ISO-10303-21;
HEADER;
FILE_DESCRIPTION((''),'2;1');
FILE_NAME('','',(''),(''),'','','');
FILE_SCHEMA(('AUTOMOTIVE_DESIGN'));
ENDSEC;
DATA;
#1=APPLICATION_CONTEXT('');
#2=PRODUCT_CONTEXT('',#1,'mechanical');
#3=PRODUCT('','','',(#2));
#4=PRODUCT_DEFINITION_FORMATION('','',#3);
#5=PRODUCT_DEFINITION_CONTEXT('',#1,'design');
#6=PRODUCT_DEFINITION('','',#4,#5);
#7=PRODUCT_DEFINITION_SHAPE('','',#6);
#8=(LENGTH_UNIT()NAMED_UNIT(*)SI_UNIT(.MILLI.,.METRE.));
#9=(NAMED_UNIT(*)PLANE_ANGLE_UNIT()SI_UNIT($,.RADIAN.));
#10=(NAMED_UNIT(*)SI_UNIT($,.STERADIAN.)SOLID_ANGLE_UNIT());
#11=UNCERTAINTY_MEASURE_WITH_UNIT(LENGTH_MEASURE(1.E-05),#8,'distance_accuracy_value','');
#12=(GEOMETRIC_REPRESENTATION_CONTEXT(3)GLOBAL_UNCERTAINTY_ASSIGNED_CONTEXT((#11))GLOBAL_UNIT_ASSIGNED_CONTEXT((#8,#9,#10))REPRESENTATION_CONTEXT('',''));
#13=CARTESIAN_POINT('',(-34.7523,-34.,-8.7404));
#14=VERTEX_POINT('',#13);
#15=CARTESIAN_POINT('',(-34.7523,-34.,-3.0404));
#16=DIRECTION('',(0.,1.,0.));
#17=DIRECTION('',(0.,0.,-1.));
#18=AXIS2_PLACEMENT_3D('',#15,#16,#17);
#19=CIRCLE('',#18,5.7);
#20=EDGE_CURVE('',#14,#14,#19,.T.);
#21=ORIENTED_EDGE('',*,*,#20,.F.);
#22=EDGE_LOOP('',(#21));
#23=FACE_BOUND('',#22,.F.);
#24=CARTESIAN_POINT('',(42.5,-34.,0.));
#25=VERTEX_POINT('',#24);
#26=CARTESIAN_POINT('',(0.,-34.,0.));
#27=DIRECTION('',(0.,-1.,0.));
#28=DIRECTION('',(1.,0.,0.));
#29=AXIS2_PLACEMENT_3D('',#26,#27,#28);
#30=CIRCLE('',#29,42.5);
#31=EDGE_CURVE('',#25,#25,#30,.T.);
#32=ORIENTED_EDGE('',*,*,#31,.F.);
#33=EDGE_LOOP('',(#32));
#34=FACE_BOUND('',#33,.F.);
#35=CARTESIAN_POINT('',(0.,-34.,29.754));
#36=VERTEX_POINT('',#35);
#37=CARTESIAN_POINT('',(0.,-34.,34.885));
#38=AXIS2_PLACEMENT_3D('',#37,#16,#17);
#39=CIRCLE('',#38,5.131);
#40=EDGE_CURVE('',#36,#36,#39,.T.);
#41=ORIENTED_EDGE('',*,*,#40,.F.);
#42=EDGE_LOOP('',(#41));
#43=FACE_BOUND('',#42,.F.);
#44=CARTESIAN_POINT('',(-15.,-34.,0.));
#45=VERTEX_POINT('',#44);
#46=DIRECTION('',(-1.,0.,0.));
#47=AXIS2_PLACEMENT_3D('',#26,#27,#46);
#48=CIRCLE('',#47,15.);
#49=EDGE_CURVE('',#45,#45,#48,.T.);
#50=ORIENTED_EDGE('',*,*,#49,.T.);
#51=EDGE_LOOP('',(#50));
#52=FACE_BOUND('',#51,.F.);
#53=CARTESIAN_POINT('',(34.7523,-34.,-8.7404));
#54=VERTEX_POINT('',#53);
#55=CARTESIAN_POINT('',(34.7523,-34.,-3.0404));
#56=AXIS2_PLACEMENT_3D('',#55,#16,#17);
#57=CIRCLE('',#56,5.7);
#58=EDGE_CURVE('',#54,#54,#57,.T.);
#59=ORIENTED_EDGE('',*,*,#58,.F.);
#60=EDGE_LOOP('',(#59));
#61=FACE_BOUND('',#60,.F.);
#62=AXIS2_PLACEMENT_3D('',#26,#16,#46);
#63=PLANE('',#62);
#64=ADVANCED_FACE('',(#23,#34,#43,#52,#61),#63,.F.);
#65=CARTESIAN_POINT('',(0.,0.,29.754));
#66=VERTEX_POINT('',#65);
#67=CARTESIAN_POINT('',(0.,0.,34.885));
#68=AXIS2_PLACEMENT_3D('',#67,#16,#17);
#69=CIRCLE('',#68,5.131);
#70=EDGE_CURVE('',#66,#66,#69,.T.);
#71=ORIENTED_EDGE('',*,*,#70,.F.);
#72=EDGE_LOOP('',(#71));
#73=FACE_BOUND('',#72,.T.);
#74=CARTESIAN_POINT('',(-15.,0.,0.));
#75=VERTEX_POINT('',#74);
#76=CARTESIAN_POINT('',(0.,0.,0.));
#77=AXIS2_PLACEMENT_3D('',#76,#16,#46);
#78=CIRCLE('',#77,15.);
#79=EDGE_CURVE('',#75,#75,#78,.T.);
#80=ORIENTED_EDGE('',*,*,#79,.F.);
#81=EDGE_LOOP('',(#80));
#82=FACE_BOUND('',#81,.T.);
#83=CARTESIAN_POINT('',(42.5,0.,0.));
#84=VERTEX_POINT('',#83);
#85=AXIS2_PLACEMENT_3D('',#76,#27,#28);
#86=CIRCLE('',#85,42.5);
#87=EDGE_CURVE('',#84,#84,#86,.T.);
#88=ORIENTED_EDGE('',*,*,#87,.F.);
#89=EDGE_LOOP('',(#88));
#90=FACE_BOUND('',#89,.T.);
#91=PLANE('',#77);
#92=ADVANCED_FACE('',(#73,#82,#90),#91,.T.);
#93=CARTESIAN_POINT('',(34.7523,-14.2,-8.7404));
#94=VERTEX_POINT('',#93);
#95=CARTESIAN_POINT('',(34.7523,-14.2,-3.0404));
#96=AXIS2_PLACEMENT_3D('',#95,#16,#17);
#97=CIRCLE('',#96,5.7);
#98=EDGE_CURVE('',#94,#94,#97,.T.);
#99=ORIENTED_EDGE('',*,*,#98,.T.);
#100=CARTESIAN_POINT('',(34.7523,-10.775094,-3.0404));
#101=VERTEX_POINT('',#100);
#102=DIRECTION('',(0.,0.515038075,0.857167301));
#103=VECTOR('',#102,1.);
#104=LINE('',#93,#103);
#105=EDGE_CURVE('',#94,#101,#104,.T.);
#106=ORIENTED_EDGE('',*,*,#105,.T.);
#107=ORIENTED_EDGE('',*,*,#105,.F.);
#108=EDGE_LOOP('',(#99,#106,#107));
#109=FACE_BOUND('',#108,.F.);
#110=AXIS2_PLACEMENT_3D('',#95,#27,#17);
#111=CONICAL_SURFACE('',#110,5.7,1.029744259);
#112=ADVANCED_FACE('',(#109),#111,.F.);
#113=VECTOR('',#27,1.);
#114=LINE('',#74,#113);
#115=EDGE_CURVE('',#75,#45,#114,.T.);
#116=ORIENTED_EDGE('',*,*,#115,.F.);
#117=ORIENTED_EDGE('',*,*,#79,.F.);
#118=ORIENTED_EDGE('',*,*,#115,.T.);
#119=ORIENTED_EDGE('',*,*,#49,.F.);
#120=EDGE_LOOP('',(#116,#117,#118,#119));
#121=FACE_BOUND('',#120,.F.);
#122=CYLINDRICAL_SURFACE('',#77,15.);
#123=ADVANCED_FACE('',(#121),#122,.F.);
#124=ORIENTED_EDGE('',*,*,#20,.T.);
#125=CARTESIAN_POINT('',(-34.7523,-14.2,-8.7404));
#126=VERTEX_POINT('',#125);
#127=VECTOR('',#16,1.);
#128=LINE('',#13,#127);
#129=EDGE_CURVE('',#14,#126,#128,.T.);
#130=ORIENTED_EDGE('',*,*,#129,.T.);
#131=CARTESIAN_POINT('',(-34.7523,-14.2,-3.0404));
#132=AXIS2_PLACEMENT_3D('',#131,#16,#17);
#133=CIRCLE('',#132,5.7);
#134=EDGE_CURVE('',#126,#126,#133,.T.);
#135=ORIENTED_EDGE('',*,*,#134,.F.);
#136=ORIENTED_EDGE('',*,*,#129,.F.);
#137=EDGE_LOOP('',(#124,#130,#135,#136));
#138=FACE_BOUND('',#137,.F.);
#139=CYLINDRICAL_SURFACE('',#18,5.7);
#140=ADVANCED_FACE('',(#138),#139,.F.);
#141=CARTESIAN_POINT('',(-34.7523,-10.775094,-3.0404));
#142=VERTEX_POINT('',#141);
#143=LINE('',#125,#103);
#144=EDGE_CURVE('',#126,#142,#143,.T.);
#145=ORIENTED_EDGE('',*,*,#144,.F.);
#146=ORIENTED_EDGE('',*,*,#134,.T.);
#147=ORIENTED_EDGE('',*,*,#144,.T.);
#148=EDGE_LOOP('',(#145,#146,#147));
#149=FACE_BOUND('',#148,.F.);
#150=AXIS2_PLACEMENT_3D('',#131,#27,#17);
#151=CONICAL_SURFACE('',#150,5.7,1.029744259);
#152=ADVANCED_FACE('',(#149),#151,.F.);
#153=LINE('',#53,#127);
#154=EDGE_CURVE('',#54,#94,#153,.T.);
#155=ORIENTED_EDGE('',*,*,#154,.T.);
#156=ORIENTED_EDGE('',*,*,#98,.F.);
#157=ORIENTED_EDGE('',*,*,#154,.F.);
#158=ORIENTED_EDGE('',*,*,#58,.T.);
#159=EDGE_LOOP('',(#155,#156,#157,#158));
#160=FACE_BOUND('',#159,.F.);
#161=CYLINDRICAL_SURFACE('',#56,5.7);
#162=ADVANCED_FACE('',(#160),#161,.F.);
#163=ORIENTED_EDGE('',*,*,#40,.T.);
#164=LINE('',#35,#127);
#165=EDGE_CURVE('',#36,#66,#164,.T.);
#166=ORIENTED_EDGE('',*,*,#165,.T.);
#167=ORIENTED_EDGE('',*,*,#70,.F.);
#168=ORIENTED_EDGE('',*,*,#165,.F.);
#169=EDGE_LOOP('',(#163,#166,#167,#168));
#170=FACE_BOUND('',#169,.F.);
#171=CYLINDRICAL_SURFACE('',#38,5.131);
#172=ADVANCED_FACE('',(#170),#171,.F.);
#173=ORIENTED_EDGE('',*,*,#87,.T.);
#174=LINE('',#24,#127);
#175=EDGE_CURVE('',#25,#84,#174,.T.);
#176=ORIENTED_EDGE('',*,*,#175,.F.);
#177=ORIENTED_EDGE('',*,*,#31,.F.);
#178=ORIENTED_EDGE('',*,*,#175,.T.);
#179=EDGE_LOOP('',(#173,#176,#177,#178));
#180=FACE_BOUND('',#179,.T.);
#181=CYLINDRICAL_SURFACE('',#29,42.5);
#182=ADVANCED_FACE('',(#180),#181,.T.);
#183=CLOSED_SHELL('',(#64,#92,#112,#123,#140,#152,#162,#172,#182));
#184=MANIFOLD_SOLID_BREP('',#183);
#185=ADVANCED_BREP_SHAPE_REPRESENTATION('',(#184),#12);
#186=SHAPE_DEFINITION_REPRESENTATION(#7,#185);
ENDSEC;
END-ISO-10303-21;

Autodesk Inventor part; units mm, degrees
ref_plane "YZ Plane" through (0, 0, 0) normal (1, 0, 0) x (0, 1, 0)
ref_plane "XZ Plane" through (0, 0, 0) normal (0, 1, 0) x (-1, 0, 0)
ref_plane "XY Plane" through (0, 0, 0) normal (0, 0, 1) x (1, 0, 0)
sketch "Schizzo1" plane through (0, 0, 0) normal (0, 1, 0) x (-1, 0, 0)
  circle A0 centre (0, 0) radius 15
  circle A1 centre (0, 0) radius 40
  dimension "d0" = 30
  dimension "d1" = 80
extrude "Estrusione1" add sketch "Schizzo1" against normal blind 34
sketch "Schizzo2" plane through (0, -34, 0) normal (0, -1, 0) x (1, 0, 0)
  circle A0 centre (0, 0) radius 15
  circle A1 centre (0, 0) radius 42.5
  dimension "d4" = 85
extrude "Estrusione2" add sketch "Schizzo2" against normal blind 34
sketch "Schizzo3" plane through (0, -34, 0) normal (0, -1, 0) x (1, 0, 0)
  circle A0 centre (0, 0) radius 34.885
  line L0 (0, 41.5801) -> (0, 0)
  line L1 (0, 0) -> (-42.3383, -3.7041)
  circle A1 centre (0, 0) radius 42.5 projected
  line L2 (42.3383, -3.7041) -> (0, 0)
  point P0 (-34.7523, -3.0404)
  point P1 (34.7523, -3.0404)
  dimension "d7" = 69.77
  dimension "d8" = 95
  dimension "d9" = 95
hole "Foro1" at (-34.7523, -34, -3.0404) at (34.7523, -34, -3.0404) direction (0, 1, 0) diameter 11.4 depth 19.8 tip angle 118 clearance for "Bullone a testa esagonale" size "7/16" standard "ANSI Unificate - Filettature"
sketch "Schizzo4" plane through (0, -34, 0) normal (0, -1, 0) x (1, 0, 0)
  circle A0 centre (0, 0) radius 34.885
  point P0 (0, 34.885)
  dimension "d17" = 69.77
hole "Foro2" at (0, -34, 34.885) direction (0, 1, 0) diameter 10.262 depth 34 tip angle 118 thread size "7/16-32 UN" class "2B" standard "ANSI Unified Screw Threads"
properties part number "forato" material "Ferro, Ghisa grigia ASTM A48 Grado 20"
